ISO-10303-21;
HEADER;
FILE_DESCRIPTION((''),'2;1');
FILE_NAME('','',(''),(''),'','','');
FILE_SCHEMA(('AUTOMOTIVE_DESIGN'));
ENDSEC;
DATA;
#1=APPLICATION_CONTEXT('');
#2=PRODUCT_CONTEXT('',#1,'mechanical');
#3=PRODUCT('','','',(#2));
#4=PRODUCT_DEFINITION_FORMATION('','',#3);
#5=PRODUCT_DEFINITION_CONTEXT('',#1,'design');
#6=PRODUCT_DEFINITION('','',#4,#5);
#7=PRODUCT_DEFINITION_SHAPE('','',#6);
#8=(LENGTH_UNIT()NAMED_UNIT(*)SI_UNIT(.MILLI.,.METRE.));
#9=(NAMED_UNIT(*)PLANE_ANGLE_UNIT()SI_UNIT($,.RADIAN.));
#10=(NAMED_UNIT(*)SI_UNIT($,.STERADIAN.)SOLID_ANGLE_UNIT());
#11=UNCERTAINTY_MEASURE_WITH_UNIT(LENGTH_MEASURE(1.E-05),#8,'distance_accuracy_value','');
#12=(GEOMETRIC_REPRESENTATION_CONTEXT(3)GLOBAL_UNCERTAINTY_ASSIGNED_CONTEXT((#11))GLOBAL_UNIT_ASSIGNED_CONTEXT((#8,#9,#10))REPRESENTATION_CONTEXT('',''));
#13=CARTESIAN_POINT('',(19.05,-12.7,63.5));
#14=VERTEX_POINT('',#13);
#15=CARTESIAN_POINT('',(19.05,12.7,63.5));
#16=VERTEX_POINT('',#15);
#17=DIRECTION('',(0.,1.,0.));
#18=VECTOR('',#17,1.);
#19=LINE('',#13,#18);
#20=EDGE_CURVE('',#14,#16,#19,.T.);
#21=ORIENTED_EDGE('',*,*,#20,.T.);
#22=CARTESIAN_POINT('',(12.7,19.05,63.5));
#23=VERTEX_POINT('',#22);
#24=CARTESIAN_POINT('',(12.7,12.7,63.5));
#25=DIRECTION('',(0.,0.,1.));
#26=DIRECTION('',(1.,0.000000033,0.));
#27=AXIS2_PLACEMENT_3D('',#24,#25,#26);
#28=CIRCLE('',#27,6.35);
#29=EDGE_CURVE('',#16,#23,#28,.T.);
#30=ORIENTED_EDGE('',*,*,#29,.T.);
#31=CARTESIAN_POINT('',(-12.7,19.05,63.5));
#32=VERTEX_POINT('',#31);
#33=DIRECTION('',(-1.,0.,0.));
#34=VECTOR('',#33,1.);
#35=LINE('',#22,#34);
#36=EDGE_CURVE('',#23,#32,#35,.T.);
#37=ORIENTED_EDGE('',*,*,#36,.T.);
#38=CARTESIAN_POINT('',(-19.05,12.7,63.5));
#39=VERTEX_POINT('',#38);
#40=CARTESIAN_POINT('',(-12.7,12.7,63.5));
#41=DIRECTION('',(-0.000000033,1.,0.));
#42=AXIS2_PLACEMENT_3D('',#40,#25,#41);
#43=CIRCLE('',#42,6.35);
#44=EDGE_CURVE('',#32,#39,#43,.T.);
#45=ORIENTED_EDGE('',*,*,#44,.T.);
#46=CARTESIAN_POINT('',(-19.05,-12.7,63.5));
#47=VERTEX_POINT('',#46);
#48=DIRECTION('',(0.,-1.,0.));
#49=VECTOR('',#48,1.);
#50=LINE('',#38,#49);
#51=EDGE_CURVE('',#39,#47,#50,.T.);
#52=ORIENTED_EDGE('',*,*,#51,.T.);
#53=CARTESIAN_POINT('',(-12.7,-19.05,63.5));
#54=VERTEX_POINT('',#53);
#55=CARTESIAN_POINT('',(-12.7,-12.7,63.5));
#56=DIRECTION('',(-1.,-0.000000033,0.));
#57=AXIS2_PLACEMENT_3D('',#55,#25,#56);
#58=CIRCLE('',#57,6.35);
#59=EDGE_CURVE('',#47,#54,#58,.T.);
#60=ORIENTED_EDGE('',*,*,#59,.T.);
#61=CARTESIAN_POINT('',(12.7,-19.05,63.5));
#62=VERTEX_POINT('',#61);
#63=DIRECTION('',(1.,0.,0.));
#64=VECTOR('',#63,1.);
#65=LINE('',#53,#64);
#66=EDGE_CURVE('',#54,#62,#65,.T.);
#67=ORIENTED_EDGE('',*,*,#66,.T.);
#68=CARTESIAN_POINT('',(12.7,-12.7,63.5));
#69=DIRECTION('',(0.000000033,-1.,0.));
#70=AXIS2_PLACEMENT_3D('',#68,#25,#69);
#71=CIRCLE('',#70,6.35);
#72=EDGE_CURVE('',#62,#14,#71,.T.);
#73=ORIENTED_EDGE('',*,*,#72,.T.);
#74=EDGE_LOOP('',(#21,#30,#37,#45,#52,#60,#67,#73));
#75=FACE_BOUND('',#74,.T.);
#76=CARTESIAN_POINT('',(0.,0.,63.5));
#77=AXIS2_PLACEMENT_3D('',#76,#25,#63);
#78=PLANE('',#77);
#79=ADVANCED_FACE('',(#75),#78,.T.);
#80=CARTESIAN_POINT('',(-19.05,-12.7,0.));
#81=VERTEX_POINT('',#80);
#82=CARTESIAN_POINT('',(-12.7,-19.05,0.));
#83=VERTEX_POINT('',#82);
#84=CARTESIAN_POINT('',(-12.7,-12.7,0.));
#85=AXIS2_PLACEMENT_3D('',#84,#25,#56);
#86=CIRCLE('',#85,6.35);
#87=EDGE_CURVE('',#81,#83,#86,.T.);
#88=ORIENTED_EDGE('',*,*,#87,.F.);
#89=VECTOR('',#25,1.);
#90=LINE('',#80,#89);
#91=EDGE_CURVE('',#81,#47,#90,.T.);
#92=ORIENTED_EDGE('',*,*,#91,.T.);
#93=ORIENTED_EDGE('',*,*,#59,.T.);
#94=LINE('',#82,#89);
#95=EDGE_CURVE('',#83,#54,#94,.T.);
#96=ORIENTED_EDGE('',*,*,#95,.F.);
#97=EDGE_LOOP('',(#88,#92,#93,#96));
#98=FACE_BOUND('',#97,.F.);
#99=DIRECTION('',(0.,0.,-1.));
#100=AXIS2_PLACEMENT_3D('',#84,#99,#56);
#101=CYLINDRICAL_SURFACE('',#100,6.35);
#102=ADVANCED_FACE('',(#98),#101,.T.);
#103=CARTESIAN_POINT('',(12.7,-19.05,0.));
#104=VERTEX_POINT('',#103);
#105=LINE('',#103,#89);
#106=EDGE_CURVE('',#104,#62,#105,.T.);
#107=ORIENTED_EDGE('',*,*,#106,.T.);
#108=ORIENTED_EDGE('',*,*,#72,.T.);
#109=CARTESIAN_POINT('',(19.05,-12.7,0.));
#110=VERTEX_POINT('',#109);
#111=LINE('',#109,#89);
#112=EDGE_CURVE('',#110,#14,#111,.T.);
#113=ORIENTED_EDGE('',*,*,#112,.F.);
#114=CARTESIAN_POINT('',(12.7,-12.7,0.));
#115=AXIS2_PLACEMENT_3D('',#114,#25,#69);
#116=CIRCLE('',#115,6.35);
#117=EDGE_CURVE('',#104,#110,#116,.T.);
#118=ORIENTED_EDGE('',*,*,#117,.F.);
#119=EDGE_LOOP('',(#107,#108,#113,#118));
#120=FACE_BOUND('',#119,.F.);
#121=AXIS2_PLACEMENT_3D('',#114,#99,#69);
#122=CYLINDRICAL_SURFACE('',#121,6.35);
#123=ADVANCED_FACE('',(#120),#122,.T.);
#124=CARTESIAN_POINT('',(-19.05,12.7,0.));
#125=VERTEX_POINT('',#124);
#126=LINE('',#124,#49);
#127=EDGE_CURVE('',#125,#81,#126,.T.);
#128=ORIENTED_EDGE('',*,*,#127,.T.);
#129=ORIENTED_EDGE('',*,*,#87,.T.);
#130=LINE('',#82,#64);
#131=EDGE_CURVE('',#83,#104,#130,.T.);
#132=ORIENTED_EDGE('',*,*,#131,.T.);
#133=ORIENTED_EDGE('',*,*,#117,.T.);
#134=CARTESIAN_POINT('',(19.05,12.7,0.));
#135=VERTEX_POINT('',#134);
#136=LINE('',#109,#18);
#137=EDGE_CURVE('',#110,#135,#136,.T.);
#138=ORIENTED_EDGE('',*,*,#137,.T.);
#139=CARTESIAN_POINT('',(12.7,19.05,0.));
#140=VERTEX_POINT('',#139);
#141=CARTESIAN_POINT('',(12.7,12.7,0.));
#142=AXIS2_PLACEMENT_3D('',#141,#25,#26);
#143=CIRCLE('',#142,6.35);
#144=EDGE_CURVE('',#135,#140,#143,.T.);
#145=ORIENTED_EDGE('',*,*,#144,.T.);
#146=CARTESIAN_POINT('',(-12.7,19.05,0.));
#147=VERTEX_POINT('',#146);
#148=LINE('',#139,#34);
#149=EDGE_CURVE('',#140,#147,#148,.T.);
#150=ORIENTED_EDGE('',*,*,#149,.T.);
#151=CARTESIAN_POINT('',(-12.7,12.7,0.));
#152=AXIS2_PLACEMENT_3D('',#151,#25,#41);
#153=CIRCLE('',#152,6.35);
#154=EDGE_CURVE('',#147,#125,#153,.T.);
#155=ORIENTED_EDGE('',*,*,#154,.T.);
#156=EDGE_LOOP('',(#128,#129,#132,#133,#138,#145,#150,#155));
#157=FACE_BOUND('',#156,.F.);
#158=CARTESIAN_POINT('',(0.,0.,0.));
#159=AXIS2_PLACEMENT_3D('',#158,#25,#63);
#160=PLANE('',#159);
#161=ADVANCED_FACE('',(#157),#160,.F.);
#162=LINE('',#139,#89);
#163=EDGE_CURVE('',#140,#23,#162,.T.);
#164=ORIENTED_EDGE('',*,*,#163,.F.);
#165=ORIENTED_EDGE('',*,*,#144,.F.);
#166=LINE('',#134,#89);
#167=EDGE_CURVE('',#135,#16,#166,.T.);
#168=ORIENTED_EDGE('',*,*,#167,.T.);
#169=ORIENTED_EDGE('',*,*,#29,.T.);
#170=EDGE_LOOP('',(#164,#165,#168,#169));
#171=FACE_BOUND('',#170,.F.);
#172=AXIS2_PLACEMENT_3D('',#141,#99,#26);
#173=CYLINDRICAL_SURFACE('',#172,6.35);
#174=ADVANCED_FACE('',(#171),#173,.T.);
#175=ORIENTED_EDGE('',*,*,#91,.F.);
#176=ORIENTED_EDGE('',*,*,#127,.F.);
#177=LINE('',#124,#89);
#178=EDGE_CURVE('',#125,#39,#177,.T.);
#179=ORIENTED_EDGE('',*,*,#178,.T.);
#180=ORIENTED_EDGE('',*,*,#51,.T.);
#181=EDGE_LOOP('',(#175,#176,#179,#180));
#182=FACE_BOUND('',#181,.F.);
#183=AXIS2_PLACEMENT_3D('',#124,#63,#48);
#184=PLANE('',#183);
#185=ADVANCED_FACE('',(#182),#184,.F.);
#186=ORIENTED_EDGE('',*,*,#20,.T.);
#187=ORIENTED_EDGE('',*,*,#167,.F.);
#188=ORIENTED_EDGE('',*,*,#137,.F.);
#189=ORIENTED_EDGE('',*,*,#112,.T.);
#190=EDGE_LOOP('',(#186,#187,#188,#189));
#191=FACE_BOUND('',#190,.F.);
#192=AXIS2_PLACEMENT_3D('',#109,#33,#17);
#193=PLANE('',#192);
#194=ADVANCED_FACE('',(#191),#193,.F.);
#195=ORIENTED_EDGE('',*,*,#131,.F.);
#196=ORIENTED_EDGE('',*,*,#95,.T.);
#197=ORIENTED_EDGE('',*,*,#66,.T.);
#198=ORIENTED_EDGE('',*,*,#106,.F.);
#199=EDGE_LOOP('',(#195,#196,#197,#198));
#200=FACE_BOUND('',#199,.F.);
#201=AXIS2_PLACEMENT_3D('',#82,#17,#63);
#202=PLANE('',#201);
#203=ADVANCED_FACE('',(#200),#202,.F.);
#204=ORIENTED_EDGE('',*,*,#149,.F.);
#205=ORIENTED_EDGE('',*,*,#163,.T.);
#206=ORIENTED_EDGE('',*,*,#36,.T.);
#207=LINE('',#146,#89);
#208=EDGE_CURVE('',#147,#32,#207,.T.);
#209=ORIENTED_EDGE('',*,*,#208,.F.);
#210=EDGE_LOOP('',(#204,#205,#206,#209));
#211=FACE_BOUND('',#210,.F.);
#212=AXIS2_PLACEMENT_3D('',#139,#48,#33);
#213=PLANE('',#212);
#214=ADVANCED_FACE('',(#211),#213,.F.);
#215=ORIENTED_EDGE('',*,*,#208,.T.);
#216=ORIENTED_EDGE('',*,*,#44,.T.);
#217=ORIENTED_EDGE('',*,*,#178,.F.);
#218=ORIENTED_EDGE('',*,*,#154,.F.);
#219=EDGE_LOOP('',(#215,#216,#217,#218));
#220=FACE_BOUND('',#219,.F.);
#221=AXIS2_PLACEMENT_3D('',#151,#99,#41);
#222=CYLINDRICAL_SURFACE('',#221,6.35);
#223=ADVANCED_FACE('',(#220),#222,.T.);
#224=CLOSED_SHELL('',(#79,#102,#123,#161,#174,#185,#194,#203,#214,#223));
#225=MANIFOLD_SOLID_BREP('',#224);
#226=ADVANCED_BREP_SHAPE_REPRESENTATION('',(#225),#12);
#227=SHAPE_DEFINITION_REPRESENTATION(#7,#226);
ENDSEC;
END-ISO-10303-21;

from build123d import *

# Parameters (mm, degrees)
F1_DEPTH = 63.5
F2_W     = 12.7
F2_H     = 190.5
F4_DEPTH = 0.254
F3_W     = 12.7
F3_H     = 190.5
F5_DEPTH = 0.254


with BuildPart() as f1:
    # F0 (on Top) → F1 (new body)
    with BuildSketch(Plane.XY):
        with BuildLine():
            ThreePointArc((19.05, 12.7), (17.190128, 17.190128), (12.7, 19.05))
            Line((12.7, 19.05), (-12.7, 19.05))
            ThreePointArc((-12.7, 19.05), (-17.190128, 17.190128), (-19.05, 12.7))
            Line((-19.05, 12.7), (-19.05, -12.7))
            ThreePointArc((-19.05, -12.7), (-17.190128, -17.190128), (-12.7, -19.05))
            Line((-12.7, -19.05), (12.7, -19.05))
            ThreePointArc((12.7, -19.05), (17.190128, -17.190128), (19.05, -12.7))
            Line((19.05, -12.7), (19.05, 12.7))
        make_face()
    extrude(amount=F1_DEPTH)


with BuildPart() as f4:
    # F2 (on Right) → F4 (new body)
    with BuildSketch(Plane.YZ):
        with Locations((-192.550282, 22.601065)):
            Rectangle(F2_W, F2_H)
    extrude(amount=F4_DEPTH)


with BuildPart() as f5:
    # F3 (on Right) → F5 (new body)
    with BuildSketch(Plane.YZ):
        with Locations((175.864179, 24.777815)):
            Rectangle(F3_W, F3_H)
    extrude(amount=F5_DEPTH)


solid = f1.part
